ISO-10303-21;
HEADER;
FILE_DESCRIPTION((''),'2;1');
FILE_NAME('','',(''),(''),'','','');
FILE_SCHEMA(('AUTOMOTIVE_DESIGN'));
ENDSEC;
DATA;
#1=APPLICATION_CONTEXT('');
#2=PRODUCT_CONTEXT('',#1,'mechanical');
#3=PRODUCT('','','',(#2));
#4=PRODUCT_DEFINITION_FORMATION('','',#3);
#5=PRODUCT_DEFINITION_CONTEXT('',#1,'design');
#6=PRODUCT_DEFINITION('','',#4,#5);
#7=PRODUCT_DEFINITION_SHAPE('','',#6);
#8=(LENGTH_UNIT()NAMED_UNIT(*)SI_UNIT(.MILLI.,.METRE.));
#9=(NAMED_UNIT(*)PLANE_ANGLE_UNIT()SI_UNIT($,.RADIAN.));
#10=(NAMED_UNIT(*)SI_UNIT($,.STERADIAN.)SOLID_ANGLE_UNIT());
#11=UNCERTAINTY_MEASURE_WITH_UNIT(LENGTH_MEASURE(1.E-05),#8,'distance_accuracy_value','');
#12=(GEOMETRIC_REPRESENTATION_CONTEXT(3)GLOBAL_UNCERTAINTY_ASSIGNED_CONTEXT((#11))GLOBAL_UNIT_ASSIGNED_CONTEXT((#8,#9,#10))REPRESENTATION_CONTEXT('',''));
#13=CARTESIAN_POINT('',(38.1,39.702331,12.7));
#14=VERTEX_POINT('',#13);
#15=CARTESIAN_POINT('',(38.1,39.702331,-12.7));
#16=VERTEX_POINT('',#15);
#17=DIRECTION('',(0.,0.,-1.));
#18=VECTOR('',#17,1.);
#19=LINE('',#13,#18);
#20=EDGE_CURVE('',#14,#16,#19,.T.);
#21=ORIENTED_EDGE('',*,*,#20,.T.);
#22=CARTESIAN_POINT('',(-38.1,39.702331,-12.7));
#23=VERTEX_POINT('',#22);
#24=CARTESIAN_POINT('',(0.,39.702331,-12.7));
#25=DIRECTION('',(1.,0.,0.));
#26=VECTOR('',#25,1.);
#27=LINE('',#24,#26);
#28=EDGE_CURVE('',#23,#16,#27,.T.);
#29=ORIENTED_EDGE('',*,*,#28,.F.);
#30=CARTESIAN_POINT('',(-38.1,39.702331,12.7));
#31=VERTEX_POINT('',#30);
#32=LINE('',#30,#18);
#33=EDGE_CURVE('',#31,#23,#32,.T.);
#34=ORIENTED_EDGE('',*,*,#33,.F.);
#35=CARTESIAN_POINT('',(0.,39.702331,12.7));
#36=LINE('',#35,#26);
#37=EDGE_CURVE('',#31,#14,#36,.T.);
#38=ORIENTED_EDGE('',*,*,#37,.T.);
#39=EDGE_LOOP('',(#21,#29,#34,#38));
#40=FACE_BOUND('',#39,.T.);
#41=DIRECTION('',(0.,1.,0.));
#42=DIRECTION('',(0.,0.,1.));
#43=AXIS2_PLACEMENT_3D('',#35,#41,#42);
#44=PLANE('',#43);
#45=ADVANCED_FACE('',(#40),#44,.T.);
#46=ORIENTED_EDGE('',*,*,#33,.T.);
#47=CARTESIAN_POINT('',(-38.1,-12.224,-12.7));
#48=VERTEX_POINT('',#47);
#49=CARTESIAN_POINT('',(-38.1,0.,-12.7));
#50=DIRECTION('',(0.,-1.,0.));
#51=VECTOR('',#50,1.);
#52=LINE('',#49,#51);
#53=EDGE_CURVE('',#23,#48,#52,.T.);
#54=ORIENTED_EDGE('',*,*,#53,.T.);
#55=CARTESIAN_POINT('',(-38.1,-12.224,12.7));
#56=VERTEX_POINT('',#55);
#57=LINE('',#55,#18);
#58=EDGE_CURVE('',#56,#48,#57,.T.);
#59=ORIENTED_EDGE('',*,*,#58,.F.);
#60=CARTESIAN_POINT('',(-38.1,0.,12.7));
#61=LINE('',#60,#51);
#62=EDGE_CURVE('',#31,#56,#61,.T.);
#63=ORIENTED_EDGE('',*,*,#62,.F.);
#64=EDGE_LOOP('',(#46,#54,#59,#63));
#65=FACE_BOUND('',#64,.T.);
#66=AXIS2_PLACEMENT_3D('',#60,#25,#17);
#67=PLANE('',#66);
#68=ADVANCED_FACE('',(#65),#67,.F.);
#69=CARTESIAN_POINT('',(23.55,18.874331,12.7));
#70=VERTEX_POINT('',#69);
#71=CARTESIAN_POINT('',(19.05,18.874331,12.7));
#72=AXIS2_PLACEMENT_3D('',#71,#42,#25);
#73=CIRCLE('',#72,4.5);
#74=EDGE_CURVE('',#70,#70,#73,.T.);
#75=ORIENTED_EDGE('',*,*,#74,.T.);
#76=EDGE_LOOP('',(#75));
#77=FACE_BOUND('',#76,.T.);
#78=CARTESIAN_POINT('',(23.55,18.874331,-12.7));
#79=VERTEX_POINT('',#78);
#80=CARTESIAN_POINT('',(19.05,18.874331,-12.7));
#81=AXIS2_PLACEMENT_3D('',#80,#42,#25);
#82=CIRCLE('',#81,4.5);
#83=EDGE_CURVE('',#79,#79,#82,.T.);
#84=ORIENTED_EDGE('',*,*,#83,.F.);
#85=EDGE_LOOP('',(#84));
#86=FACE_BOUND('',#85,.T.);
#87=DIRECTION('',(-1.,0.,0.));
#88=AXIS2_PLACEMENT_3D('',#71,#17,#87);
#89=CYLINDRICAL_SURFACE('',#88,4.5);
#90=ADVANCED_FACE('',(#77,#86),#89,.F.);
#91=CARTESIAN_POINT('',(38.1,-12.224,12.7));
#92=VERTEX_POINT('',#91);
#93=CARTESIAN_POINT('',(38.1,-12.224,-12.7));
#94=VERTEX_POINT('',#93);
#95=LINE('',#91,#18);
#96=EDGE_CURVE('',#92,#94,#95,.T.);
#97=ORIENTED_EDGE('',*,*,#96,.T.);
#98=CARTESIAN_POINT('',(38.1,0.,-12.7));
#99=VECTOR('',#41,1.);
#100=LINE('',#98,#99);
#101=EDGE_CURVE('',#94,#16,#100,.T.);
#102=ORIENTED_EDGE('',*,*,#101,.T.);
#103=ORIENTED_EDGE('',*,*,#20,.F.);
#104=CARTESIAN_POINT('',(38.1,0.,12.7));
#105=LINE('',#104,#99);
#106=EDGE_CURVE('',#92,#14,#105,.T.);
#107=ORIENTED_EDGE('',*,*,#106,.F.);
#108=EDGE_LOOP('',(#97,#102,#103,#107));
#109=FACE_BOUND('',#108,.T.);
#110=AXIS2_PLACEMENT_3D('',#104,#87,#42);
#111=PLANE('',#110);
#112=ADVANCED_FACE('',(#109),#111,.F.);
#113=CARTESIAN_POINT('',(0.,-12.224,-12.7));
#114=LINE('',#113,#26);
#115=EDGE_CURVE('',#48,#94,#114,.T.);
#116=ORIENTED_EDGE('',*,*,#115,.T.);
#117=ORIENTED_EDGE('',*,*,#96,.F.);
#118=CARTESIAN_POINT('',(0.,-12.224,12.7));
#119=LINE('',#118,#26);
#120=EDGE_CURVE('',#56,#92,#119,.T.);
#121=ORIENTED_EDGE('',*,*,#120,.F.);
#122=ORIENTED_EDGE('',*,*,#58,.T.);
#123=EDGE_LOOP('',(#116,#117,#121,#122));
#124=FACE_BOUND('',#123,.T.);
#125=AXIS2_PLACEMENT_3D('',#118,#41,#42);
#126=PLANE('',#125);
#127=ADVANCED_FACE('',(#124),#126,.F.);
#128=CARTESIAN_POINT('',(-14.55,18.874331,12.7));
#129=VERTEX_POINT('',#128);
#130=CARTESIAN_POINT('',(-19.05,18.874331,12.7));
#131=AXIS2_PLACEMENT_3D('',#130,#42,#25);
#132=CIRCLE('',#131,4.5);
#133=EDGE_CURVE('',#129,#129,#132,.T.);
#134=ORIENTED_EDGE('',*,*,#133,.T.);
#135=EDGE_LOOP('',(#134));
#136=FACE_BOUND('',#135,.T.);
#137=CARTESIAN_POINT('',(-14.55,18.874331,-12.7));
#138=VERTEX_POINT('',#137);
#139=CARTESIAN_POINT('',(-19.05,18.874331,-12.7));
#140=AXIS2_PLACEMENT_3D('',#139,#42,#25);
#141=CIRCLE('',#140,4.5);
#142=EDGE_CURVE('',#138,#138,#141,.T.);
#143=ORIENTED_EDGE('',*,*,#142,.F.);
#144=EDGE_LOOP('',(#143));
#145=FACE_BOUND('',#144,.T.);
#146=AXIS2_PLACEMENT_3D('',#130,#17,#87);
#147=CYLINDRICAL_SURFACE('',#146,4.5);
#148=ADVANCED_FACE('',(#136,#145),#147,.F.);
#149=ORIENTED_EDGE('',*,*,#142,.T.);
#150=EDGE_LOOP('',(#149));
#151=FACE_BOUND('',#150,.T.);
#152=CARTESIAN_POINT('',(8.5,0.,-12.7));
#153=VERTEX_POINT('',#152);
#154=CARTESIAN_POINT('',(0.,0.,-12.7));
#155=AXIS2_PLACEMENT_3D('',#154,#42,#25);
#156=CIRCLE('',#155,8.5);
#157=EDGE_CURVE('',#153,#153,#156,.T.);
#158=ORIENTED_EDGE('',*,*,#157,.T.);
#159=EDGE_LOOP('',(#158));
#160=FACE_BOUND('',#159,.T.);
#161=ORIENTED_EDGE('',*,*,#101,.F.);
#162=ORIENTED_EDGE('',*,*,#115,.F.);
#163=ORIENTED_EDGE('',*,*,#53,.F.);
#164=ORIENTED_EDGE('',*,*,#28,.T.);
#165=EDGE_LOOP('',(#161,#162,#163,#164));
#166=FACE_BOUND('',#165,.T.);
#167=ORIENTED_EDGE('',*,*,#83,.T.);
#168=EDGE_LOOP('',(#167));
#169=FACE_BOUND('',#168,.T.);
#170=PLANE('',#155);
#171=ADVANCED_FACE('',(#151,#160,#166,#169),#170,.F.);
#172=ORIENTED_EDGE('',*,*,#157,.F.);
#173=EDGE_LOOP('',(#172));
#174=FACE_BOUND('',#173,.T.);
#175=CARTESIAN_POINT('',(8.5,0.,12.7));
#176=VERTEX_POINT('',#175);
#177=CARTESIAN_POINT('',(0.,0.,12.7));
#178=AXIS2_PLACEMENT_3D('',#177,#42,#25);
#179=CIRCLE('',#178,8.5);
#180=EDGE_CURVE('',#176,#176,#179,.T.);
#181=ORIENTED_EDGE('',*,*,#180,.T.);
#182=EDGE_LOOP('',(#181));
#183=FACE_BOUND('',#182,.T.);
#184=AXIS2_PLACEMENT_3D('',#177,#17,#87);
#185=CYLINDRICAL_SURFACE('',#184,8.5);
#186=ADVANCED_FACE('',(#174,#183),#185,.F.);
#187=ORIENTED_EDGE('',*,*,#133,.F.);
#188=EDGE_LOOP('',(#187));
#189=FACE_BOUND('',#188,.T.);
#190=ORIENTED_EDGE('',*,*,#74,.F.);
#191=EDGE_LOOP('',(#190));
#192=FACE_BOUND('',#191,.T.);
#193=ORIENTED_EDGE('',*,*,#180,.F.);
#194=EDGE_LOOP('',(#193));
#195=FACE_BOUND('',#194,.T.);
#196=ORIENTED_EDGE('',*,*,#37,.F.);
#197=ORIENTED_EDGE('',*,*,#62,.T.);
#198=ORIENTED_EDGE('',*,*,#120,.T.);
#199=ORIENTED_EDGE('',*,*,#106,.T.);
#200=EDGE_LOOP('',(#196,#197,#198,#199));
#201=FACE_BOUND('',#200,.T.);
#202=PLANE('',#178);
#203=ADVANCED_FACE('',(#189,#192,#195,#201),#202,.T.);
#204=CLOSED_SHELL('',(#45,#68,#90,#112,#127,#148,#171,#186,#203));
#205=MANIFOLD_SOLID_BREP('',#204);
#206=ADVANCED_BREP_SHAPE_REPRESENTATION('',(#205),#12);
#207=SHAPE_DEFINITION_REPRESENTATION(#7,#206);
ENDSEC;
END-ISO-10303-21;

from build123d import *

# Parameters (mm, degrees)
SKETCH1_R           = 4.5
SKETCH1_R_2         = 8.5
BOSS_EXTRUDE1_DEPTH = 12.7


with BuildPart() as part:
    # Sketch1 → Boss-Extrude1 (new, symmetric)
    with BuildSketch(Plane.XY):
        Polygon((-38.1, 39.702330771), (38.1, 39.702330771), (38.1, 12.224), (38.1, -12.224), (-38.1, -12.224), (-38.1, 12.224), align=None)
        with Locations((-19.05, 18.874330771)):
            Circle(SKETCH1_R, mode=Mode.SUBTRACT)
        with Locations((19.05, 18.874330771)):
            Circle(SKETCH1_R, mode=Mode.SUBTRACT)
        Circle(SKETCH1_R_2, mode=Mode.SUBTRACT)
    extrude(amount=BOSS_EXTRUDE1_DEPTH, both=True)


solid = part.part
